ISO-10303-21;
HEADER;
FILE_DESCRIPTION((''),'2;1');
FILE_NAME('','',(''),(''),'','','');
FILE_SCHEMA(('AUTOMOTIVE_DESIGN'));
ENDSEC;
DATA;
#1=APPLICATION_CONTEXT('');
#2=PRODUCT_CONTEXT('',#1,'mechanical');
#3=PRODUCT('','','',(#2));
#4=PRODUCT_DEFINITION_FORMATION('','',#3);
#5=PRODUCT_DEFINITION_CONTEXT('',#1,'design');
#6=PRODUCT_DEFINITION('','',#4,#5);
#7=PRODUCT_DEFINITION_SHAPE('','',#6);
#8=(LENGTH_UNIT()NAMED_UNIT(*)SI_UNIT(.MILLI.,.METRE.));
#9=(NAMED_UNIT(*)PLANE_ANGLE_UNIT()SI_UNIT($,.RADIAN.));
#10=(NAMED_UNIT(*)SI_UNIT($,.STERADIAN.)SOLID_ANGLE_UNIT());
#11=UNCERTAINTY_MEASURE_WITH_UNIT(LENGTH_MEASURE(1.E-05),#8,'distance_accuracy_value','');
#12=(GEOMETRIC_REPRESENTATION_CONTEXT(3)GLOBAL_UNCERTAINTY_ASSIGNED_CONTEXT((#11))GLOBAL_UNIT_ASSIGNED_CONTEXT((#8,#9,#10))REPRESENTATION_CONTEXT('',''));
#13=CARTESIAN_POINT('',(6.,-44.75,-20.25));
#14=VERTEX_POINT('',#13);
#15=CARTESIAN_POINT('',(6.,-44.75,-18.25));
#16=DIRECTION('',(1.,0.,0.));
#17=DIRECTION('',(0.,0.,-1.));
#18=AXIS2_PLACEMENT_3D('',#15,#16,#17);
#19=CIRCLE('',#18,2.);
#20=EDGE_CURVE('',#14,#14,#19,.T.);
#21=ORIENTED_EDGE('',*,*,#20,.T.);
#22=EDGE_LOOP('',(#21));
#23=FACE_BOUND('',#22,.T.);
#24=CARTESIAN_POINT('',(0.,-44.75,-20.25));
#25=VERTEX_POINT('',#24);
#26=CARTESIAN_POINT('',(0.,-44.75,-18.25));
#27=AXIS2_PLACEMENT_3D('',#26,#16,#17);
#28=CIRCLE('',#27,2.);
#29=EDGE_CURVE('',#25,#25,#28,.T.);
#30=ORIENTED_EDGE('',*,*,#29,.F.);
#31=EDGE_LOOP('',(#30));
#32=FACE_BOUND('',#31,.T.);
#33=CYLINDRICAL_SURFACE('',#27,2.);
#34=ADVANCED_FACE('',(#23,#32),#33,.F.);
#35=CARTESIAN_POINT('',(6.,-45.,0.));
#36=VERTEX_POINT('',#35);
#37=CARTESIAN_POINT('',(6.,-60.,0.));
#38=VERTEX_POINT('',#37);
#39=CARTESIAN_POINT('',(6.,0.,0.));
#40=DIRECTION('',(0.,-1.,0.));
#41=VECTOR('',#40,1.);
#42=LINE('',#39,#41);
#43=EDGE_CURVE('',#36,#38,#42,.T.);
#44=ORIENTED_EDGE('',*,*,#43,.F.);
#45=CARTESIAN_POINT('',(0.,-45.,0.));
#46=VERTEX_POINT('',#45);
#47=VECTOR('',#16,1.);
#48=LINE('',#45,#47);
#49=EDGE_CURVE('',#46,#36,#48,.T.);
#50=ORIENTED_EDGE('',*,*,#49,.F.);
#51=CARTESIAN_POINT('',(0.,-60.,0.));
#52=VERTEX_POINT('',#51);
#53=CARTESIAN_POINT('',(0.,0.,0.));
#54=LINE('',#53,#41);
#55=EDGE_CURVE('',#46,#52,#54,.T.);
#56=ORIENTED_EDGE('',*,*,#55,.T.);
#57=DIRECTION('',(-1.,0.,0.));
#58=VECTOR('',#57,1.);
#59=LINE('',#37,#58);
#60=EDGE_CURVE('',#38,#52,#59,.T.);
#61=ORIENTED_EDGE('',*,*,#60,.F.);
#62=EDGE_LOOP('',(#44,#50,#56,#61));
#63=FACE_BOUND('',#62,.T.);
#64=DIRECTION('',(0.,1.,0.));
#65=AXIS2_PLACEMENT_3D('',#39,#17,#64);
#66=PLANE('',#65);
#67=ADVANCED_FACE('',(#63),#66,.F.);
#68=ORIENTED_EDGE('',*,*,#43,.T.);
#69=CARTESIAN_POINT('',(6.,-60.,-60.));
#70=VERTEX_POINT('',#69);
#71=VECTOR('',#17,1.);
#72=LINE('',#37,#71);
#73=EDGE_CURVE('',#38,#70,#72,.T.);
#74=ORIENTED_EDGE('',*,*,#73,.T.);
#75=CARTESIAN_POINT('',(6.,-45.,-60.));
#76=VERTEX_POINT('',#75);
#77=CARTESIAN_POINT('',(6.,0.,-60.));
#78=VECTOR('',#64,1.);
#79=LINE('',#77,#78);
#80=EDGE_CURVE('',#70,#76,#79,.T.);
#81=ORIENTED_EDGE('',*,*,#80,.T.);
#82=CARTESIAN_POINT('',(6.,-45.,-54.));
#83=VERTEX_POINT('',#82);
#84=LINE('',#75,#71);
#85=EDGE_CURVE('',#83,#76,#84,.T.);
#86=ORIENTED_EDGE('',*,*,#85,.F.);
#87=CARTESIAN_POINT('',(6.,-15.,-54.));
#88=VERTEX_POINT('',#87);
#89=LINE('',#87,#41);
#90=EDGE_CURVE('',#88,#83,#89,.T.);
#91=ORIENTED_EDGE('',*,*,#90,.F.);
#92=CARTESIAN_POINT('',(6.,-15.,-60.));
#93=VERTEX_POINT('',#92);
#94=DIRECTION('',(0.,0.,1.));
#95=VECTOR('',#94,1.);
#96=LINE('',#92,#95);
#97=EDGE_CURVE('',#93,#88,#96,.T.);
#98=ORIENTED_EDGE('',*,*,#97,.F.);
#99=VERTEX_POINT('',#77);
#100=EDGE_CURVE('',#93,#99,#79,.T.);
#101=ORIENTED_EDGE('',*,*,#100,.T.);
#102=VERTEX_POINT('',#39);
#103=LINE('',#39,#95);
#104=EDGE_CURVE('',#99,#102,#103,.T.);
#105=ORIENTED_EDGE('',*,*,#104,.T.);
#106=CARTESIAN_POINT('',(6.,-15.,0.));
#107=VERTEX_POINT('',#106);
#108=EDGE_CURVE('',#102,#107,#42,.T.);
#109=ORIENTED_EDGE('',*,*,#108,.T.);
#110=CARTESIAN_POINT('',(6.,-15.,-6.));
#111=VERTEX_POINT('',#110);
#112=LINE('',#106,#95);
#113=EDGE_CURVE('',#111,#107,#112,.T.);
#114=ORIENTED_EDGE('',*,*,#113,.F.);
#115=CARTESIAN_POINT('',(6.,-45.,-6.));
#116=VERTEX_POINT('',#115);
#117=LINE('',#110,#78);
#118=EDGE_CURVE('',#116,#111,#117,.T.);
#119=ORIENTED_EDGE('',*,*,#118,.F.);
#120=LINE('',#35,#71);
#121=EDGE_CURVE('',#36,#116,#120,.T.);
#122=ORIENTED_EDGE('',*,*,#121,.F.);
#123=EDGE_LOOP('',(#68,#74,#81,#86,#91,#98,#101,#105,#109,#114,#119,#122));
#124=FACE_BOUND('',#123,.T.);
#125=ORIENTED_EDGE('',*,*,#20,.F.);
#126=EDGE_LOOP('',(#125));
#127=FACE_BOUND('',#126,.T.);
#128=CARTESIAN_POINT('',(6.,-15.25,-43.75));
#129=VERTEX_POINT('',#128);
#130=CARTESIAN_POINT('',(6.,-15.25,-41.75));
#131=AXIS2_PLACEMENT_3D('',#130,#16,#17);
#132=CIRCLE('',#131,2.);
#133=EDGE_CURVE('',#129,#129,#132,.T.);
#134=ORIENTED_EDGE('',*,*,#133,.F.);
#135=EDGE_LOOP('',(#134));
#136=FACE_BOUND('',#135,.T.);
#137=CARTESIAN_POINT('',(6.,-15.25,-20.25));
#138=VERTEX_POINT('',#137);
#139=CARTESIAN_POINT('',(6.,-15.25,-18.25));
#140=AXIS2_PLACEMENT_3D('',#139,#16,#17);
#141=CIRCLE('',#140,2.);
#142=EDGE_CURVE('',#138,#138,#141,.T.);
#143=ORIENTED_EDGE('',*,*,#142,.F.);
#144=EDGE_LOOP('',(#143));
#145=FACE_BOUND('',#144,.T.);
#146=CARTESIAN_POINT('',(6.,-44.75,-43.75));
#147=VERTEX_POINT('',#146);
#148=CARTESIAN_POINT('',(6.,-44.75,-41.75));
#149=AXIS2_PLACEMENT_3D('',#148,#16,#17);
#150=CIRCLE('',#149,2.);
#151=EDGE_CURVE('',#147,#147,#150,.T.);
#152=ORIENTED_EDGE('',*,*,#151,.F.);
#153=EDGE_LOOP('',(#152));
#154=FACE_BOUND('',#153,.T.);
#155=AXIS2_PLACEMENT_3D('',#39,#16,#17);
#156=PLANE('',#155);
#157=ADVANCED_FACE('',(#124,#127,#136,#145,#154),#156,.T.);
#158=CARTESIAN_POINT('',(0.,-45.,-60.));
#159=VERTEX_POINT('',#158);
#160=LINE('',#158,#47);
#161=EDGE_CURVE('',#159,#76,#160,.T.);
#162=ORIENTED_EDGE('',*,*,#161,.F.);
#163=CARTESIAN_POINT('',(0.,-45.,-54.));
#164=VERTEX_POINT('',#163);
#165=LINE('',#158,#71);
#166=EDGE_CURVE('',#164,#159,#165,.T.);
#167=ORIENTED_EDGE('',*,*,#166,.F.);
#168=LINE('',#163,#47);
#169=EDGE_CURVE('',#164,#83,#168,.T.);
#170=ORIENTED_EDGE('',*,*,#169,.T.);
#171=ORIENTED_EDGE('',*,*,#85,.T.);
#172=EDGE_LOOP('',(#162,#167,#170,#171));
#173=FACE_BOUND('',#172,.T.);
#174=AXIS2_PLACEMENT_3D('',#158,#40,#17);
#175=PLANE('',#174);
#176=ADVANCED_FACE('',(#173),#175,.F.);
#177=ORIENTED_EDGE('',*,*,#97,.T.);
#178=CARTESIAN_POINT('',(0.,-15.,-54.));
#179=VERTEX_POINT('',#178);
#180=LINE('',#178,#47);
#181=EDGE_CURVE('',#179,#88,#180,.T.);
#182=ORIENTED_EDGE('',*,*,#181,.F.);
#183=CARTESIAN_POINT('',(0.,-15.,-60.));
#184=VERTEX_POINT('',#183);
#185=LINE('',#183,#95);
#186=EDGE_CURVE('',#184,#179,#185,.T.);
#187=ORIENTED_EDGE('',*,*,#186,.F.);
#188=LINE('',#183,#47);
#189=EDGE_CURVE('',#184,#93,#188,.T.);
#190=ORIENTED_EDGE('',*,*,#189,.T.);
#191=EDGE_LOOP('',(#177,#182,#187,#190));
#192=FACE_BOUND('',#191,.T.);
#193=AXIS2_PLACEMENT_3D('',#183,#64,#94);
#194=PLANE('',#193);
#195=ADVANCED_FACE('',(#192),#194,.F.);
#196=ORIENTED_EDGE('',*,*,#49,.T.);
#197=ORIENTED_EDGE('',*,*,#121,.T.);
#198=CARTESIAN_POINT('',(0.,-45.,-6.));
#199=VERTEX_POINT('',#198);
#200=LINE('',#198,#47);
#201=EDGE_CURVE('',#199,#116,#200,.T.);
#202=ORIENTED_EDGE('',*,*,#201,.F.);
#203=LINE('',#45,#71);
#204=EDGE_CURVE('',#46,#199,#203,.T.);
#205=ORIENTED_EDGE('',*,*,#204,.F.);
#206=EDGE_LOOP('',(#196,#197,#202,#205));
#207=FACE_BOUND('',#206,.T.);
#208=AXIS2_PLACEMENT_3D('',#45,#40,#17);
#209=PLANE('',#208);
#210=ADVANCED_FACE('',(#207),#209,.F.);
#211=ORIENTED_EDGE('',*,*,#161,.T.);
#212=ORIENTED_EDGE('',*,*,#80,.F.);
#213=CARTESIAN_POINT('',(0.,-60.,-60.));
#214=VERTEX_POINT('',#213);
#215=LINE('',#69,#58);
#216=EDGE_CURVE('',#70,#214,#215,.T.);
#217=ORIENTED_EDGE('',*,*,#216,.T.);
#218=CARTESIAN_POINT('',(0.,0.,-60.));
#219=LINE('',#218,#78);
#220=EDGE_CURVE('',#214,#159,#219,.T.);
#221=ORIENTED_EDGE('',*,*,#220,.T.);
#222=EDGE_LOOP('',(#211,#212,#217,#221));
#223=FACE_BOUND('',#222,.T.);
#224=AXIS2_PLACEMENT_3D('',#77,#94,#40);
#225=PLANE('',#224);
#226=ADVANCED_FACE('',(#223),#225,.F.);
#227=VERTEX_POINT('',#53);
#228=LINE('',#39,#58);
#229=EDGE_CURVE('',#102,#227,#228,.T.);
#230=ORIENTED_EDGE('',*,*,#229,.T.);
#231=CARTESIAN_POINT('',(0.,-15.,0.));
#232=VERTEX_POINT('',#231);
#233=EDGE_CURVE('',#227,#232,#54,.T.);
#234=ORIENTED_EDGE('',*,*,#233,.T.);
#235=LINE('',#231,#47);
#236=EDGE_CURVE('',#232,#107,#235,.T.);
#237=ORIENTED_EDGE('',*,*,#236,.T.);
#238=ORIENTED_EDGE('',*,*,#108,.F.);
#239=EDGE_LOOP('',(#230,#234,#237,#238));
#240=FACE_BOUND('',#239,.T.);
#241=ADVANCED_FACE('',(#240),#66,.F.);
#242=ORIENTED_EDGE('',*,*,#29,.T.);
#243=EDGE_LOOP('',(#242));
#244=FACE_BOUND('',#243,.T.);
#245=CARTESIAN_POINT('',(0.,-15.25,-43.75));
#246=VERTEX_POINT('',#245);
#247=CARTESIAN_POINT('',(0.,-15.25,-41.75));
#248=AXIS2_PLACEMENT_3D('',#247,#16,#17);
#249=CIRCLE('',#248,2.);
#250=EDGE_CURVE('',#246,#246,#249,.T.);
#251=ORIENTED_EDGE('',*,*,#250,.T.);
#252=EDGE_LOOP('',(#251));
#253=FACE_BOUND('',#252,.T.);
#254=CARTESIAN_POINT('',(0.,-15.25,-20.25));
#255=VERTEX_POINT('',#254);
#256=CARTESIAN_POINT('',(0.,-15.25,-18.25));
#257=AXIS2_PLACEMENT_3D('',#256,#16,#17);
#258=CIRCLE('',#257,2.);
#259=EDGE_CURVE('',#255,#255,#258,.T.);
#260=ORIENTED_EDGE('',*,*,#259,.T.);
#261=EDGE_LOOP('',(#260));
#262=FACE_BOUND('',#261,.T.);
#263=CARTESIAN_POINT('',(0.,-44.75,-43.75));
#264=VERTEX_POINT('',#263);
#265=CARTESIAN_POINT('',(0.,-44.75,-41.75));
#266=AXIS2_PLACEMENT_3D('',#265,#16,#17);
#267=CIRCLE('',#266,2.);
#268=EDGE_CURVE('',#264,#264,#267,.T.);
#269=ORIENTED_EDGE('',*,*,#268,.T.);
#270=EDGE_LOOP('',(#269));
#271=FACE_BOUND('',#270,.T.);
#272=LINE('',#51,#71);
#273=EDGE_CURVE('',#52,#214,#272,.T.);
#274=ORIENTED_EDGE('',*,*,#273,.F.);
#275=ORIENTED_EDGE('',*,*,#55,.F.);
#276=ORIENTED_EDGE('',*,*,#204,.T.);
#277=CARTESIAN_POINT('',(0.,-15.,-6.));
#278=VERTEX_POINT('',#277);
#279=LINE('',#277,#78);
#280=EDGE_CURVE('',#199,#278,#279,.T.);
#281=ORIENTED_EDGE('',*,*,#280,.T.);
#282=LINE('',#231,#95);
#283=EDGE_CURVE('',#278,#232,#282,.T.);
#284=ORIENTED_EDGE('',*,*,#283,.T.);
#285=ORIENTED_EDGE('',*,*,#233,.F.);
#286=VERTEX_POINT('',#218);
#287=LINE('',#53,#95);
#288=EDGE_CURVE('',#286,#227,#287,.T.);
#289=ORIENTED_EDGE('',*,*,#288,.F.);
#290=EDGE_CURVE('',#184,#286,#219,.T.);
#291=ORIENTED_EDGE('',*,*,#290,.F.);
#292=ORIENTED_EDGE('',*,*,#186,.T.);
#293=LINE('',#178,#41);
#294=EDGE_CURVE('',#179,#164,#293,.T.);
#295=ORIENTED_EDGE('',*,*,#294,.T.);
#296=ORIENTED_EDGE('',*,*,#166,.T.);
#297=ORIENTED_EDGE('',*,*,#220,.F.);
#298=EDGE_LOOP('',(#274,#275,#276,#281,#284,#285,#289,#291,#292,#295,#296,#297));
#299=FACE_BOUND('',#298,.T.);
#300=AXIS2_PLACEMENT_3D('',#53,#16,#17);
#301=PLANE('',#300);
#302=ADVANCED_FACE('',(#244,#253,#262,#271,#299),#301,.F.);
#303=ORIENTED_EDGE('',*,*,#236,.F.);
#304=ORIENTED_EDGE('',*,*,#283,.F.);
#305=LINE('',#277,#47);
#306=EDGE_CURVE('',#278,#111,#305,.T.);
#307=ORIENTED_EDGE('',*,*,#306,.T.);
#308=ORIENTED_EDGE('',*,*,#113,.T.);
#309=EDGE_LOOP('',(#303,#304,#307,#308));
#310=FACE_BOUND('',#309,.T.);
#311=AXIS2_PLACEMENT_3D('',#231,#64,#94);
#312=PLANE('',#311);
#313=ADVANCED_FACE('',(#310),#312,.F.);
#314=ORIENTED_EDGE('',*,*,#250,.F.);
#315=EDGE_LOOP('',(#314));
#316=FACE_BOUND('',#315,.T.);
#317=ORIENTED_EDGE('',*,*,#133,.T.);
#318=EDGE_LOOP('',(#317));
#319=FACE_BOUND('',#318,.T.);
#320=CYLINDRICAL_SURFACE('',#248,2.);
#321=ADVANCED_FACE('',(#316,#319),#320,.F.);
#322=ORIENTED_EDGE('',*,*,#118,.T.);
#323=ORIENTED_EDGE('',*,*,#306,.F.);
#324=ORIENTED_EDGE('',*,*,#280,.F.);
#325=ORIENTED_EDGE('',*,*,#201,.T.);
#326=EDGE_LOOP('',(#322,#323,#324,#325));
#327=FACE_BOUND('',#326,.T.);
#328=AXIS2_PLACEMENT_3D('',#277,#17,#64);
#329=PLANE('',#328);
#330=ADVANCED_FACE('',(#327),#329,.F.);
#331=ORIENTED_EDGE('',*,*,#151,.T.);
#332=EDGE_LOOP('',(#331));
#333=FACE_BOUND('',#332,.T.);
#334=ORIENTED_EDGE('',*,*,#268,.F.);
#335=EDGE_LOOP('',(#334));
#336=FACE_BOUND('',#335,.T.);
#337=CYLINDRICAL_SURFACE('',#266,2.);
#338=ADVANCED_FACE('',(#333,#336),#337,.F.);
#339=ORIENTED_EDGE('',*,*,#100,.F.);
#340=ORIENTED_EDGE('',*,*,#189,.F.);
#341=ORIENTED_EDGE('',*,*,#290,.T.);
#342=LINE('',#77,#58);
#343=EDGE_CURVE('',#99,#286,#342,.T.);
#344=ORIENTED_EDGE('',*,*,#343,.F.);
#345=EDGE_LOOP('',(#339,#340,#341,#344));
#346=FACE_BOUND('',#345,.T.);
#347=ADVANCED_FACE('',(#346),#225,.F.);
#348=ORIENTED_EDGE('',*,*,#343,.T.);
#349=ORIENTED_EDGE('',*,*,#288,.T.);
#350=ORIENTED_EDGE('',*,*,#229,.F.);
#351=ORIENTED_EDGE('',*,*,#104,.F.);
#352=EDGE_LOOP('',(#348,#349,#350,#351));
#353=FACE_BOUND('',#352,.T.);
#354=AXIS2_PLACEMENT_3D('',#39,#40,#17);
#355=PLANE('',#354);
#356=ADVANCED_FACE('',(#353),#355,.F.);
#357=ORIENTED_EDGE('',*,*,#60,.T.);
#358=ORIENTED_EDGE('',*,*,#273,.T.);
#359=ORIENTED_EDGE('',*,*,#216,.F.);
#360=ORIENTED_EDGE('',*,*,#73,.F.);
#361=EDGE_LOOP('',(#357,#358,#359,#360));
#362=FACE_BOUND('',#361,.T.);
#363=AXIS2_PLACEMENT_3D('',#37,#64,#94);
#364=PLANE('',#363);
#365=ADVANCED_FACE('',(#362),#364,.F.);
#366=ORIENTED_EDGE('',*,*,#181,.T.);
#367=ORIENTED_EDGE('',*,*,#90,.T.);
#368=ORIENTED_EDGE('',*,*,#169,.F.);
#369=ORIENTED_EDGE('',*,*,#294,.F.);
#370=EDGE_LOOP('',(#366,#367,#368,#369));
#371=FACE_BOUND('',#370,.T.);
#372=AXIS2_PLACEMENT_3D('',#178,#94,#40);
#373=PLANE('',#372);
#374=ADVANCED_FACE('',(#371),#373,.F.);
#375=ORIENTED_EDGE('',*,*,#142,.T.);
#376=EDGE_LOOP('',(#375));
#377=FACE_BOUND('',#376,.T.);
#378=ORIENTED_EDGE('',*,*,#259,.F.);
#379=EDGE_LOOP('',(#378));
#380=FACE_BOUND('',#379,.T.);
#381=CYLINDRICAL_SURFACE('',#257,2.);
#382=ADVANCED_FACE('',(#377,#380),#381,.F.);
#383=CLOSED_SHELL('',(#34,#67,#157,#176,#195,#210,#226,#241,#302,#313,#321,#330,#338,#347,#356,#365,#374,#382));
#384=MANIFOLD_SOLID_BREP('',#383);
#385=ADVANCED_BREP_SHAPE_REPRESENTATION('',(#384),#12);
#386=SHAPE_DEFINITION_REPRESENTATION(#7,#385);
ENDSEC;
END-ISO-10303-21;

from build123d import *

# Parameters (mm, degrees)
SKETCH1_W           = 60
SKETCH1_H           = 60
BOSS_EXTRUDE1_DEPTH = 6
SKETCH2_W           = 6
SKETCH2_H           = 30
CUT_EXTRUDE1_DEPTH  = 6
SKETCH3_R           = 2
CUT_EXTRUDE2_DEPTH  = 6


with BuildPart() as part:
    # Sketch1 → Boss-Extrude1 (new body)
    with BuildSketch(Plane(origin=(0, 0, 0), x_dir=(0, 0, -1), z_dir=(1, 0, 0))):
        with Locations((30, -30)):
            Rectangle(SKETCH1_W, SKETCH1_H)
    extrude(amount=BOSS_EXTRUDE1_DEPTH)

    # Sketch2 → Cut-Extrude1 (cut)
    with BuildSketch(Plane(origin=(6, 0, 0), x_dir=(0, 0, -1), z_dir=(1, 0, 0))):
        with Locations((3, -30)):
            Rectangle(SKETCH2_W, SKETCH2_H)
        with Locations((57, -30)):
            Rectangle(SKETCH2_W, SKETCH2_H)
    extrude(amount=-CUT_EXTRUDE1_DEPTH, mode=Mode.SUBTRACT)

    # Sketch3 → Cut-Extrude2 (cut)
    with BuildSketch(Plane(origin=(6, 0, 0), x_dir=(0, 0, -1), z_dir=(1, 0, 0))):
        with Locations((18.25, -15.25)):
            Circle(SKETCH3_R)
        with Locations((41.75, -15.25)):
            Circle(SKETCH3_R)
        with Locations((41.75, -44.75)):
            Circle(SKETCH3_R)
        with Locations((18.25, -44.75)):
            Circle(SKETCH3_R)
    extrude(amount=-CUT_EXTRUDE2_DEPTH, mode=Mode.SUBTRACT)


solid = part.part
